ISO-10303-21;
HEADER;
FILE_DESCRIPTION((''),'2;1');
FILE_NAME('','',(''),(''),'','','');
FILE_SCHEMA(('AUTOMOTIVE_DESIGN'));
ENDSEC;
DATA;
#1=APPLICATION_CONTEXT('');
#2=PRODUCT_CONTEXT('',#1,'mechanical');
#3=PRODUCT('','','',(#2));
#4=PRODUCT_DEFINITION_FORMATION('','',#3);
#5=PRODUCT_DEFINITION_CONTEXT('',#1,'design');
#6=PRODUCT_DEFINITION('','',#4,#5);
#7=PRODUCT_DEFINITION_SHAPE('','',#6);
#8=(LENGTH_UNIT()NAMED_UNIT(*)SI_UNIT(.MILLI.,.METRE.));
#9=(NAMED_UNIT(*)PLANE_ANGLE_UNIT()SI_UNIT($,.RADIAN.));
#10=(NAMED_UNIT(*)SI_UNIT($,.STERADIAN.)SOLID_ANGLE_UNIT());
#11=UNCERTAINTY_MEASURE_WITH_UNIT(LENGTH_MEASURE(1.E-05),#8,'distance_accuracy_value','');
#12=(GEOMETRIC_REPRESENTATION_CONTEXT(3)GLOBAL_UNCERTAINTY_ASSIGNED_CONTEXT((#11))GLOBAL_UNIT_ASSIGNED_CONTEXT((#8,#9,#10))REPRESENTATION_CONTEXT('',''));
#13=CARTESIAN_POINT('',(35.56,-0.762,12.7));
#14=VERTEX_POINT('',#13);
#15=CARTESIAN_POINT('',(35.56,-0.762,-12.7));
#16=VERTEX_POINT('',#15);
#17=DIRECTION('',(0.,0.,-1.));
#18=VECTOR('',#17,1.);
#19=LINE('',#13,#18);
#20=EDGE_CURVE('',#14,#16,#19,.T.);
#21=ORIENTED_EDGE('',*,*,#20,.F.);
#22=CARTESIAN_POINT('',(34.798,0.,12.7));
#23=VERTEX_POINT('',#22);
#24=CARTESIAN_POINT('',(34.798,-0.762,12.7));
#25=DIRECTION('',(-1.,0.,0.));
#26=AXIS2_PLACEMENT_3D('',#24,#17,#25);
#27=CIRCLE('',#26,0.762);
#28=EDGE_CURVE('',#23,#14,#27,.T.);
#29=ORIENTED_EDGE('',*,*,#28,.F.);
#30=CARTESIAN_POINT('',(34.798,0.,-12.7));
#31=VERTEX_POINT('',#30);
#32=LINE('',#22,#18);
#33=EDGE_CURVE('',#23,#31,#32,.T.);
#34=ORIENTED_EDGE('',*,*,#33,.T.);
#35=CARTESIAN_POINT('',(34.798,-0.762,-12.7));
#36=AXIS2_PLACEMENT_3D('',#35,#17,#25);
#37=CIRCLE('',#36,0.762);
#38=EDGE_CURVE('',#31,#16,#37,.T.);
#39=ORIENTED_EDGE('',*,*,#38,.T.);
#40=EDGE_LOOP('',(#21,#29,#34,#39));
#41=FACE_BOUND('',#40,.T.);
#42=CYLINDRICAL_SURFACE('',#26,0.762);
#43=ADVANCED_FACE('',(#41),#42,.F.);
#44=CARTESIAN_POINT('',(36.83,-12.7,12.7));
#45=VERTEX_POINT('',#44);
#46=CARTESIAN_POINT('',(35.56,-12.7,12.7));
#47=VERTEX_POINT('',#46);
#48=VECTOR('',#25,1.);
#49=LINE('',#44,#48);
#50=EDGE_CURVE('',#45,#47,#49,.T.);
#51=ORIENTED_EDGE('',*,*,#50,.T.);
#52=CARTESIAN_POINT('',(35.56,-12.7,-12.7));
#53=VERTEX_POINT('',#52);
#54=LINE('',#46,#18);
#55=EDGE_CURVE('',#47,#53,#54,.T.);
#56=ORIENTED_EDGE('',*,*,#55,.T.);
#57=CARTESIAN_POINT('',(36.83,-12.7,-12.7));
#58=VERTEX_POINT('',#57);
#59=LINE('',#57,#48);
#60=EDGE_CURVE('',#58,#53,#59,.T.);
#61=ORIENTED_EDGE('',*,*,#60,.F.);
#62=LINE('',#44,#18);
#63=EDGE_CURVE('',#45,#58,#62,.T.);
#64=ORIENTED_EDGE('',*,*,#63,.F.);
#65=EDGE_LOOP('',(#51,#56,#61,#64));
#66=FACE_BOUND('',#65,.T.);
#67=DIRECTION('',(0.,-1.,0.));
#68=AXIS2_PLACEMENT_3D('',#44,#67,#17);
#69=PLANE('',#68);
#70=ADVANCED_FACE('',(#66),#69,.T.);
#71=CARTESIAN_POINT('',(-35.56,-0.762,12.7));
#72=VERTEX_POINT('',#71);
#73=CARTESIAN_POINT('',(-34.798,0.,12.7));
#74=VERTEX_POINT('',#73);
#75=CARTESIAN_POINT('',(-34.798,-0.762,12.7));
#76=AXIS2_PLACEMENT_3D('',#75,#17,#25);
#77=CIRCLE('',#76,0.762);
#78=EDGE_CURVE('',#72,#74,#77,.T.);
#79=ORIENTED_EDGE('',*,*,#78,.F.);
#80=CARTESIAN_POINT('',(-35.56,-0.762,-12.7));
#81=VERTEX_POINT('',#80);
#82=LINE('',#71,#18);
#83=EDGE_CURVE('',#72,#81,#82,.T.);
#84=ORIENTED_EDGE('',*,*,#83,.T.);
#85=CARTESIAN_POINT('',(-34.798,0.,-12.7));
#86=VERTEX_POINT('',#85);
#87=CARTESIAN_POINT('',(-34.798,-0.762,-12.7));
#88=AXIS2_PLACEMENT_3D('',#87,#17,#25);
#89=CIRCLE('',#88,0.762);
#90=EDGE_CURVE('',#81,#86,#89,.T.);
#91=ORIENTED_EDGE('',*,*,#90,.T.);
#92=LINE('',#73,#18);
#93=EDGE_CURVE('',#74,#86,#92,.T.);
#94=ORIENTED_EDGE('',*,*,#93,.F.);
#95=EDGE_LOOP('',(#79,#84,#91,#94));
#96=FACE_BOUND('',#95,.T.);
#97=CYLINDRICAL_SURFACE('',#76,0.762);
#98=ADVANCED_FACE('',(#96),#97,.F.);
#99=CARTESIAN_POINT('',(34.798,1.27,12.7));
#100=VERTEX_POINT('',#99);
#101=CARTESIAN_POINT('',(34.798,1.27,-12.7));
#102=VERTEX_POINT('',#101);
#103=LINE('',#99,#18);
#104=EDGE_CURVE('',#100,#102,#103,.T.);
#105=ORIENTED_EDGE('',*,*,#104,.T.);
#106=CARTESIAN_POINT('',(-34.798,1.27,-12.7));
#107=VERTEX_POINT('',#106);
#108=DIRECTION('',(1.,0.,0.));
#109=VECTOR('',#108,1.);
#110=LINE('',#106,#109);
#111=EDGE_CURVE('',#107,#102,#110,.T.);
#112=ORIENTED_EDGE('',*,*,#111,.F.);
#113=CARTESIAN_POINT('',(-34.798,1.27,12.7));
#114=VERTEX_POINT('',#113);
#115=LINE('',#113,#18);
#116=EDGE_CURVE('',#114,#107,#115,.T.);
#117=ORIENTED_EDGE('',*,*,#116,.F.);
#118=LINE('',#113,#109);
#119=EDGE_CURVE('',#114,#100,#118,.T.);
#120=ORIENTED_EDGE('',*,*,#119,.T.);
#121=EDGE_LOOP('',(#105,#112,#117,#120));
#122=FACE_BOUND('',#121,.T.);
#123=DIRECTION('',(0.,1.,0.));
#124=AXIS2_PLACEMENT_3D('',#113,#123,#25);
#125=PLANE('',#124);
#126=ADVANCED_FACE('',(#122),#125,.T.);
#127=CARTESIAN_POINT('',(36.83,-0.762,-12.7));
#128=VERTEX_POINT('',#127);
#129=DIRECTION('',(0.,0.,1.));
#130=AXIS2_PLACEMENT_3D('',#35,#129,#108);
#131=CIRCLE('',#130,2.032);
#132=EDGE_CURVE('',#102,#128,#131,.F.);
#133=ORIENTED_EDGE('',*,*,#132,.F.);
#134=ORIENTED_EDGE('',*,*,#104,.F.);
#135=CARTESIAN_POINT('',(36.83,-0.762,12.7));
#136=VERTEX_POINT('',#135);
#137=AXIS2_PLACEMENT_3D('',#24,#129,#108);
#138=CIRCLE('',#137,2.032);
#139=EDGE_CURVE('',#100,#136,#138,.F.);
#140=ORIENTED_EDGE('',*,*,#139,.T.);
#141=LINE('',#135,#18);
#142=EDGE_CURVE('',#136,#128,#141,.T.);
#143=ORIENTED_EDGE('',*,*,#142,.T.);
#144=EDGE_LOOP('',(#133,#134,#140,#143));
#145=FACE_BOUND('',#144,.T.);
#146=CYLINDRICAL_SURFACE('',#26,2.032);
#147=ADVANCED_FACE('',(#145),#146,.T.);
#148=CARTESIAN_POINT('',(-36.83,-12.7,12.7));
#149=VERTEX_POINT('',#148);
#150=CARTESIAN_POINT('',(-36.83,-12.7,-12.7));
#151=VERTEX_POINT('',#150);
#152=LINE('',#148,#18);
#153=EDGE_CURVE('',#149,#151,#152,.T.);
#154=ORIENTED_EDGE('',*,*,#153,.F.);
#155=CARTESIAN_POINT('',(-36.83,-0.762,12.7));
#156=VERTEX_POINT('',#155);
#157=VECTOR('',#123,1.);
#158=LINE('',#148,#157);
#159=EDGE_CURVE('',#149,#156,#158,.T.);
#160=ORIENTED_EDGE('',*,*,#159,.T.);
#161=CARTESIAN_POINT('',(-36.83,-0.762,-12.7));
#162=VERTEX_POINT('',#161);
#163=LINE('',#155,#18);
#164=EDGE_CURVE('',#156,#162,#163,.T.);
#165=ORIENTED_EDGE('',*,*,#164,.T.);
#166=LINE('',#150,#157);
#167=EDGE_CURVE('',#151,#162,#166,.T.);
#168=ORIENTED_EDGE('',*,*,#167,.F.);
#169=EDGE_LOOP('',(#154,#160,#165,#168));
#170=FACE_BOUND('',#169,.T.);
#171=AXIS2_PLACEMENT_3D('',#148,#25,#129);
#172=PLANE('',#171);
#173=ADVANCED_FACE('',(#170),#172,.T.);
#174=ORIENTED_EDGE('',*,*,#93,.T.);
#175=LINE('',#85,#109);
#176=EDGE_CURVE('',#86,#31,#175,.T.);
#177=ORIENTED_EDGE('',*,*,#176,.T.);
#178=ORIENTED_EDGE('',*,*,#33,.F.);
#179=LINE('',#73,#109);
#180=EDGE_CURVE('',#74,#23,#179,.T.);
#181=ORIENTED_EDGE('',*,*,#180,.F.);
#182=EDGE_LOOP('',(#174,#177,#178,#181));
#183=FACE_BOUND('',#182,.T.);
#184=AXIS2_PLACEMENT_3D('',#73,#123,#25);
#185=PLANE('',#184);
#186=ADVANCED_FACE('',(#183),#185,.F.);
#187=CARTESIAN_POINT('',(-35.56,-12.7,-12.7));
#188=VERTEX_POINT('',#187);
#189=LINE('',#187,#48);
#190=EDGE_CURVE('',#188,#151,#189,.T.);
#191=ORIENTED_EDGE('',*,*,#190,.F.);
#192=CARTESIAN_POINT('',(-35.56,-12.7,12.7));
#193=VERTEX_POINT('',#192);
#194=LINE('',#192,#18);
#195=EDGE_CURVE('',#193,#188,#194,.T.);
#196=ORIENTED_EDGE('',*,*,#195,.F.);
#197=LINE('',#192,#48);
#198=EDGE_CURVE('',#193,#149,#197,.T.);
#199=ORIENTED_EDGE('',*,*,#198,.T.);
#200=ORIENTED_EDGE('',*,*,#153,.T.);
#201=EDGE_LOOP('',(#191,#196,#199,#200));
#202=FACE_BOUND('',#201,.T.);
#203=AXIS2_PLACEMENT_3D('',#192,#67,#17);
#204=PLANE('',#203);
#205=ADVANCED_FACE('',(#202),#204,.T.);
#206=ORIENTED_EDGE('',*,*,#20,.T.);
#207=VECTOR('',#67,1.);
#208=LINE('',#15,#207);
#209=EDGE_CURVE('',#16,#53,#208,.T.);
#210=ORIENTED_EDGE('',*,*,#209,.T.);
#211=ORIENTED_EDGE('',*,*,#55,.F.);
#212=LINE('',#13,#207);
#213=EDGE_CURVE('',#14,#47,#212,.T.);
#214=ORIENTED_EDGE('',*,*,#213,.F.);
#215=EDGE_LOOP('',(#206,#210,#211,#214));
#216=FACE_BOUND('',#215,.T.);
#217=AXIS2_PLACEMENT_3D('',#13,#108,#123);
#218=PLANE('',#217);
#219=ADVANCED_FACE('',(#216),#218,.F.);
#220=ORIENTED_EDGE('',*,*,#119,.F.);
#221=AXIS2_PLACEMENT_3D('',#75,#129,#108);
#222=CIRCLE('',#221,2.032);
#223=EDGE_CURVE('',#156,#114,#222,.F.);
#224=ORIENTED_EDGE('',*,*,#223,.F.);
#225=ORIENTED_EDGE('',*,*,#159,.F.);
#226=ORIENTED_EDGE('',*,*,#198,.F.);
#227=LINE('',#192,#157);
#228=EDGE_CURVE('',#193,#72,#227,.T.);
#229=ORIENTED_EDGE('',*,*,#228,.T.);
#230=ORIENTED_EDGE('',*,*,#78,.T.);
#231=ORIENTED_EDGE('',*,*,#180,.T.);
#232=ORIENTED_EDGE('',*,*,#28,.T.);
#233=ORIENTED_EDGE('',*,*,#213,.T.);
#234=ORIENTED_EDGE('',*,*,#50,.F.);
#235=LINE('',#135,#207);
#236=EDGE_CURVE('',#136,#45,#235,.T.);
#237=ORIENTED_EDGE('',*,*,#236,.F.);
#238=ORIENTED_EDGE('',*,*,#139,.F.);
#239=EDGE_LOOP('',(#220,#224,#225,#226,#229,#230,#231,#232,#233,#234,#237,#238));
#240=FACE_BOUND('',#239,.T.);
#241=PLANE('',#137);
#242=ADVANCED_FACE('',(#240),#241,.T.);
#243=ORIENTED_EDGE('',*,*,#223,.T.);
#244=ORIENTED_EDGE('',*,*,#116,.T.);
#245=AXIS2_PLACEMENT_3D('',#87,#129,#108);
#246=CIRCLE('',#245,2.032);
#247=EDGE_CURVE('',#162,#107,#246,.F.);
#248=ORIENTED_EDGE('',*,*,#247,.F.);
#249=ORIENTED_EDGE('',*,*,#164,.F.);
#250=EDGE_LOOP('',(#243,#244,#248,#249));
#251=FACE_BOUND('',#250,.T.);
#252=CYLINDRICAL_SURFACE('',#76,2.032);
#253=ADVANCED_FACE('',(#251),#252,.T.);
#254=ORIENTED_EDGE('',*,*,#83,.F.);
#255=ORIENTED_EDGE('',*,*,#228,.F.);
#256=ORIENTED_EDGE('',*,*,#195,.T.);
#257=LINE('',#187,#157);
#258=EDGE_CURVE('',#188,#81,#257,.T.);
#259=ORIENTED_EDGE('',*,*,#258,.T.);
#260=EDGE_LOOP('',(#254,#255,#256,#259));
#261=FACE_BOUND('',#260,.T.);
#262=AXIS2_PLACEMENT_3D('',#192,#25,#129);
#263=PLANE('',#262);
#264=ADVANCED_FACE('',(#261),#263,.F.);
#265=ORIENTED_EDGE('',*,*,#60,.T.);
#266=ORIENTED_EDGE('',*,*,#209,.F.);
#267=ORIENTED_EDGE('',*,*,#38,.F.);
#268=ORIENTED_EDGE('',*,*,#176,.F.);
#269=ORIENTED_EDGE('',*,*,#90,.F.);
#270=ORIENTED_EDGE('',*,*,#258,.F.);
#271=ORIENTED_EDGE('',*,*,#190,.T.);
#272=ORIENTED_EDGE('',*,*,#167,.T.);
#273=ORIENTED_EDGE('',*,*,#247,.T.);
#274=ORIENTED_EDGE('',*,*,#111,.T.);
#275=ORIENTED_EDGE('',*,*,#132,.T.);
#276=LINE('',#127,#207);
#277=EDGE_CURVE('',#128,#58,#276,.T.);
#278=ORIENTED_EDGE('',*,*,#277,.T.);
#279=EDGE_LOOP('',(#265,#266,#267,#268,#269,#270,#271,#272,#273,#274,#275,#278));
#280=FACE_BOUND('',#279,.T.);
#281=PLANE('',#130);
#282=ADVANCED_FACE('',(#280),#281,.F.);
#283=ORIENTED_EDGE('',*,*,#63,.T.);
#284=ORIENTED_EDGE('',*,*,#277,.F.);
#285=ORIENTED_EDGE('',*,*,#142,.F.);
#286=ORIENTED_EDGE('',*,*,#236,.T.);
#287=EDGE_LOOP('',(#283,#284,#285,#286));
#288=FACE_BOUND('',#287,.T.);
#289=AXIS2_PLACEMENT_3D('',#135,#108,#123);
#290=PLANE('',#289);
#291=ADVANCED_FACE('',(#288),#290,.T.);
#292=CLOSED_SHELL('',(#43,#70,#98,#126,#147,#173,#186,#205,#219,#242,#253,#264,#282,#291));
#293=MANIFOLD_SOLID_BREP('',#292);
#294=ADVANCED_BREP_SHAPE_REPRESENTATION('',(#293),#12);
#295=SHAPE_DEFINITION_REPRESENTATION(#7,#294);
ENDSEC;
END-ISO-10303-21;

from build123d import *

# Parameters (mm, degrees)
EXTRUDE_THIN1_DEPTH = 12.7


with BuildPart() as part:
    # Sketch1 → Extrude-Thin1 (new body, symmetric)
    with BuildSketch(Plane.XY):
        with BuildLine():
            Line((-35.56, -12.7), (-35.56, -0.762))
            ThreePointArc((-35.56, -0.762), (-35.336815367, -0.223184633), (-34.798, 0))
            Line((-34.798, 0), (34.798, 0))
            ThreePointArc((34.798, 0), (35.336815367, -0.223184633), (35.56, -0.762))
            Line((35.56, -0.762), (35.56, -12.7))
            Line((35.56, -12.7), (36.83, -12.7))
            Line((36.83, -12.7), (36.83, -0.762))
            ThreePointArc((36.83, -0.762), (36.234840979, 0.674840979), (34.798, 1.27))
            Line((34.798, 1.27), (-34.798, 1.27))
            ThreePointArc((-34.798, 1.27), (-36.234840979, 0.674840979), (-36.83, -0.762))
            Line((-36.83, -0.762), (-36.83, -12.7))
            Line((-36.83, -12.7), (-35.56, -12.7))
        make_face()
    extrude(amount=EXTRUDE_THIN1_DEPTH, both=True)


solid = part.part
